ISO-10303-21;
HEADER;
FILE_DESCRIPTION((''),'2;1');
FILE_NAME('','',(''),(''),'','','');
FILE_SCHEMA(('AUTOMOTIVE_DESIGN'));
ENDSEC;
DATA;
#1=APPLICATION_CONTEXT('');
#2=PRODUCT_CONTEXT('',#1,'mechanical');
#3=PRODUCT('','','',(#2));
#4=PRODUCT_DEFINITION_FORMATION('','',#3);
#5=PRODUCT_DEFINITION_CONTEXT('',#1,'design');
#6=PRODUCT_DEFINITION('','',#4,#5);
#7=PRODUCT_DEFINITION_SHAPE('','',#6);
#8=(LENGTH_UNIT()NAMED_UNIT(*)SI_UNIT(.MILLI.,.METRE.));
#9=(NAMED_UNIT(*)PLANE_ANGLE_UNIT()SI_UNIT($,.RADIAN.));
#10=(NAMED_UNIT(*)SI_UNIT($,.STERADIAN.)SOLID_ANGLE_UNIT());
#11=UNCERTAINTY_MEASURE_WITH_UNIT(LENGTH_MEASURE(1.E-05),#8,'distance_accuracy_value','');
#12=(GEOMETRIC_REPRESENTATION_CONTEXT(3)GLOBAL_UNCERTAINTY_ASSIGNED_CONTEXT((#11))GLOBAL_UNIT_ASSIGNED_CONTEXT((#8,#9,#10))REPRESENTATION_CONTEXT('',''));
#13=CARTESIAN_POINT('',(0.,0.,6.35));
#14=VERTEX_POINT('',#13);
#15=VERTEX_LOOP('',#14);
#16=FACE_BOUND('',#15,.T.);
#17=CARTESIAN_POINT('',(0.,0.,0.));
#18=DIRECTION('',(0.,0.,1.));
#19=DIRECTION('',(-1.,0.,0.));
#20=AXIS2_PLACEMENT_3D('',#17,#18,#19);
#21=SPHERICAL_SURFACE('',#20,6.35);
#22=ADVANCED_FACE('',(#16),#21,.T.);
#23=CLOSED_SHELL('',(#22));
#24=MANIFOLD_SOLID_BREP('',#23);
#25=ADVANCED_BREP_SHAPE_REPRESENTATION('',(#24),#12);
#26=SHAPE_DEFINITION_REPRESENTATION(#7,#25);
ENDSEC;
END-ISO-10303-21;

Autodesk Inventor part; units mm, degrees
ref_plane "YZ Plane" through (0, 0, 0) normal (1, 0, 0) x (0, 1, 0)
ref_plane "XZ Plane" through (0, 0, 0) normal (0, 1, 0) x (-1, 0, 0)
ref_plane "XY Plane" through (0, 0, 0) normal (0, 0, 1) x (1, 0, 0)
sketch "Sketch1" plane through (0, 0, 0) normal (0, 1, 0) x (-1, 0, 0)
  circle A0 centre (0, 0) radius 6.35
  line L0 (0, -8.89) -> (0, 8.89) projected
  line L1 (8.89, 0) -> (-8.89, 0) projected
  point P0 (0, 6.35)
  point P1 (0, -6.35)
  dimension "d0" = 12.7
revolve "Revolution1" add sketch "Sketch1" angle 360 about axis through (0, 0, -10) along (0, 0, 1) picked at (1.3894, 3.9706) picked at (1.3894, -3.9706) contours L1 L0 A0 | A0 L0 L1
properties part number "ball_for_caster"
